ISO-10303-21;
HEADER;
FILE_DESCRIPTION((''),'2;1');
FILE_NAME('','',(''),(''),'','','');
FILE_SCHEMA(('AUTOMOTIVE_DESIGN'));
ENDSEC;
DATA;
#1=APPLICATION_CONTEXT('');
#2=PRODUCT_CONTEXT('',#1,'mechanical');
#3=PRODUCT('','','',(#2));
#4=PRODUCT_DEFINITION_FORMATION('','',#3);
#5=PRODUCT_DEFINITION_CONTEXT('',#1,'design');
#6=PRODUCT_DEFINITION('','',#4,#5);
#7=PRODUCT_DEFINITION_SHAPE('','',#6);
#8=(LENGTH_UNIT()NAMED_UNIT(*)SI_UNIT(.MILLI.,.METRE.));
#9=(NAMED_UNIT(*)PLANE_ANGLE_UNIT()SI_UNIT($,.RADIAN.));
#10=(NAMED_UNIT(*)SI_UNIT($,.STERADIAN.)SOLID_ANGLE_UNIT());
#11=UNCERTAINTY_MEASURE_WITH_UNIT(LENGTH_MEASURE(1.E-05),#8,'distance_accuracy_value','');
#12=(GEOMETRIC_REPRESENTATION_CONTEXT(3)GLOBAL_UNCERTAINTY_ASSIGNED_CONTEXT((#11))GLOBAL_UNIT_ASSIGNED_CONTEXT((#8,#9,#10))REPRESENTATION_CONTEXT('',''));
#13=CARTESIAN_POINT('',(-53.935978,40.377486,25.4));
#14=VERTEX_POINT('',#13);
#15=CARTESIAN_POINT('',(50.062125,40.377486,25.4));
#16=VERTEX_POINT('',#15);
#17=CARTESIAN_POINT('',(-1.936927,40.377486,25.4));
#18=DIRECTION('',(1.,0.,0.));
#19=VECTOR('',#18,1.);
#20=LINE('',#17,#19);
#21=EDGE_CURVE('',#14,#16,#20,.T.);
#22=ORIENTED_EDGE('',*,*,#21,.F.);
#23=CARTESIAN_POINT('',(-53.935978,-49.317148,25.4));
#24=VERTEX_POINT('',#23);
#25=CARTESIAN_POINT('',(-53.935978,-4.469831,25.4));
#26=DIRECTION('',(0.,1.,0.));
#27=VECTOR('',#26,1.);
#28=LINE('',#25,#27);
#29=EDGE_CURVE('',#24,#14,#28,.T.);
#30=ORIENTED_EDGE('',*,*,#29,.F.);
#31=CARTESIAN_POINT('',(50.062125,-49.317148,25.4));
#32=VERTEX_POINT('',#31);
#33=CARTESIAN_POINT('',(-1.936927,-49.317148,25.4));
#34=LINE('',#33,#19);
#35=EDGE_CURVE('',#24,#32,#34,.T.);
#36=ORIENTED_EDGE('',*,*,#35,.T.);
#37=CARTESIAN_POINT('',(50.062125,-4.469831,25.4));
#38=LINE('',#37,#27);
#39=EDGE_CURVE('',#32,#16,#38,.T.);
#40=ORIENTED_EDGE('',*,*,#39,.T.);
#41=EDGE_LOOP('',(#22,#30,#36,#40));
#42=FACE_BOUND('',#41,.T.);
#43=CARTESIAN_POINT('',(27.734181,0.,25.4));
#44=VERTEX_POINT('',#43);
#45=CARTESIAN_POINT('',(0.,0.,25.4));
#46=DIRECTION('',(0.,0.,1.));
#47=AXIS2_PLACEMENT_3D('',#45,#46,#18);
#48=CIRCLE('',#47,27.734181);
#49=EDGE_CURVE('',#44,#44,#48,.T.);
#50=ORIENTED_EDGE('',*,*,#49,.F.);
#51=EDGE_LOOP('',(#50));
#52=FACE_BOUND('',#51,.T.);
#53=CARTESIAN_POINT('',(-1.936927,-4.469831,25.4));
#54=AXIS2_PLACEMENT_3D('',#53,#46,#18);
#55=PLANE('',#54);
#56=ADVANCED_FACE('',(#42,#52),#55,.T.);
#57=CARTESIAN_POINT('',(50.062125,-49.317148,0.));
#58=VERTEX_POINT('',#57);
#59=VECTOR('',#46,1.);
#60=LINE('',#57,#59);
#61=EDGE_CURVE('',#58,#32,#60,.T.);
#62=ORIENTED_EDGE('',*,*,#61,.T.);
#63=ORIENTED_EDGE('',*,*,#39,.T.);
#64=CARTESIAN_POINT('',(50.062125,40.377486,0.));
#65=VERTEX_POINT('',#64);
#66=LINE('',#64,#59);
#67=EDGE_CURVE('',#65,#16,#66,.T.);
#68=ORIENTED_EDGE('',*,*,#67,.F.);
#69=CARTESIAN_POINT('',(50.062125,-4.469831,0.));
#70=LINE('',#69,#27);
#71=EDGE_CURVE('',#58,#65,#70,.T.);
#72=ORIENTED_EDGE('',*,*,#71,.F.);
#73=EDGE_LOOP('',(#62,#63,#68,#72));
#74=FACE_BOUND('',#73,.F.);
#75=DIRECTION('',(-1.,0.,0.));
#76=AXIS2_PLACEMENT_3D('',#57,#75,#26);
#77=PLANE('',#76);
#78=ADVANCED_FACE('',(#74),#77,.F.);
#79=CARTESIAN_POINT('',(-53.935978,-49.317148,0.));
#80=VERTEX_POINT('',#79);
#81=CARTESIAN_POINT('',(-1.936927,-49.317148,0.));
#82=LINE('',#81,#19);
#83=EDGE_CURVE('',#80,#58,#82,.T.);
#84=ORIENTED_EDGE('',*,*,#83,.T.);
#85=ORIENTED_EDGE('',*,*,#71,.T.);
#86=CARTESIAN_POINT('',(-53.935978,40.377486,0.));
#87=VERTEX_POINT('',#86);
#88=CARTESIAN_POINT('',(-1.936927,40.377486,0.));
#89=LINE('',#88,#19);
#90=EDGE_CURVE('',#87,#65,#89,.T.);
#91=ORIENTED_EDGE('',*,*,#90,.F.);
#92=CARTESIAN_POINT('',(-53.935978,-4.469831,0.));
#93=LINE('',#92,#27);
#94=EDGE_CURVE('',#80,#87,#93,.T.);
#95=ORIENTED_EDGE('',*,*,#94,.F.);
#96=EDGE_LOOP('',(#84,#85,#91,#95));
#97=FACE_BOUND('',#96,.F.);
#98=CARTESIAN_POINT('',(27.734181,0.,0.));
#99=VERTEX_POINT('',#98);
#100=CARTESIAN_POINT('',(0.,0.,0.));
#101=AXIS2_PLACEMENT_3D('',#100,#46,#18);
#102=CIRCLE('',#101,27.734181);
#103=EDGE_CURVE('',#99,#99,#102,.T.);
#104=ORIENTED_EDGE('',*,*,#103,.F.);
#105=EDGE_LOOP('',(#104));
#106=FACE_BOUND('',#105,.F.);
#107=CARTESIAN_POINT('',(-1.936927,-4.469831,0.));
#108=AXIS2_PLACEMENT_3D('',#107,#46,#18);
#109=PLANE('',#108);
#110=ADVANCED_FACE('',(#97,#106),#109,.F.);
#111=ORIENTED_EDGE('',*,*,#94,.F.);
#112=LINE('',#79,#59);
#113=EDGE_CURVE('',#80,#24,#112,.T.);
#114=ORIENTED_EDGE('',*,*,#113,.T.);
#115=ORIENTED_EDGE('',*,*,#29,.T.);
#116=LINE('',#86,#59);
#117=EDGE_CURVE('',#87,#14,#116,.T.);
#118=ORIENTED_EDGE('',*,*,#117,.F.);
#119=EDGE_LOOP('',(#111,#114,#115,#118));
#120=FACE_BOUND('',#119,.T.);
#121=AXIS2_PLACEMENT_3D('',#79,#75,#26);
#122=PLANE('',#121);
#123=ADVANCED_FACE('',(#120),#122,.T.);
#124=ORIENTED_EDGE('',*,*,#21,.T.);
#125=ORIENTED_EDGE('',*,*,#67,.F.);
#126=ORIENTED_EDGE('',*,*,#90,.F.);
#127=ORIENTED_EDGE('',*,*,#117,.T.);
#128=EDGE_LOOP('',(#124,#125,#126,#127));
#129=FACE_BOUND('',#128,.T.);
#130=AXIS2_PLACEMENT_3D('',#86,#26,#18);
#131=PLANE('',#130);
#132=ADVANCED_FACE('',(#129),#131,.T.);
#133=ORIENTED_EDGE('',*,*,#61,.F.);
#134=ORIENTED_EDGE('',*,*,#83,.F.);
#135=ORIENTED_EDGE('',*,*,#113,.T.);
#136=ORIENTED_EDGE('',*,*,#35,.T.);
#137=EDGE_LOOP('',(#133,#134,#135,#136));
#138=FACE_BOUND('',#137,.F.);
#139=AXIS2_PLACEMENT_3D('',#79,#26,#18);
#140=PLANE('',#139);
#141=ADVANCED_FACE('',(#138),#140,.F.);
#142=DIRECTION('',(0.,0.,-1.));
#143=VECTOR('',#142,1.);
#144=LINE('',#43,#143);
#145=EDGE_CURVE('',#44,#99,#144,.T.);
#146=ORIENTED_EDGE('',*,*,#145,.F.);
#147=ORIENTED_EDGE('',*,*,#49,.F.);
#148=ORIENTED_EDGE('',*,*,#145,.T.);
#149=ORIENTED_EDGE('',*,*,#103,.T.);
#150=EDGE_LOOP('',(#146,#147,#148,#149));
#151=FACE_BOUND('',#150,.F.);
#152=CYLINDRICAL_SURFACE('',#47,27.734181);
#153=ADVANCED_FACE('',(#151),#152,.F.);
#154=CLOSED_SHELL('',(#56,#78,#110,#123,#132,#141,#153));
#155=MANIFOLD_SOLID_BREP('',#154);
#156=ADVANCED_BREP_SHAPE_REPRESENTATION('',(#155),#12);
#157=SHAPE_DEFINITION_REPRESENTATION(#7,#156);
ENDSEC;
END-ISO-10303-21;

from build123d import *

# Parameters (mm, degrees)
F0_W     = 103.998103
F0_H     = 89.694634
F1_DEPTH = 25.4
F2_R     = 27.734181
F3_DEPTH = 25.4


with BuildPart() as f1:
    # F0 (on Top) → F1 (new body)
    with BuildSketch(Plane.XY):
        with Locations((-1.936927, -4.469831)):
            Rectangle(F0_W, F0_H)
    extrude(amount=F1_DEPTH)

    # F2 (on face) → F3 (cut)
    with BuildSketch(Plane.XY.offset(25.4)):
        Circle(F2_R)
    extrude(amount=-F3_DEPTH, mode=Mode.SUBTRACT)


solid = f1.part
